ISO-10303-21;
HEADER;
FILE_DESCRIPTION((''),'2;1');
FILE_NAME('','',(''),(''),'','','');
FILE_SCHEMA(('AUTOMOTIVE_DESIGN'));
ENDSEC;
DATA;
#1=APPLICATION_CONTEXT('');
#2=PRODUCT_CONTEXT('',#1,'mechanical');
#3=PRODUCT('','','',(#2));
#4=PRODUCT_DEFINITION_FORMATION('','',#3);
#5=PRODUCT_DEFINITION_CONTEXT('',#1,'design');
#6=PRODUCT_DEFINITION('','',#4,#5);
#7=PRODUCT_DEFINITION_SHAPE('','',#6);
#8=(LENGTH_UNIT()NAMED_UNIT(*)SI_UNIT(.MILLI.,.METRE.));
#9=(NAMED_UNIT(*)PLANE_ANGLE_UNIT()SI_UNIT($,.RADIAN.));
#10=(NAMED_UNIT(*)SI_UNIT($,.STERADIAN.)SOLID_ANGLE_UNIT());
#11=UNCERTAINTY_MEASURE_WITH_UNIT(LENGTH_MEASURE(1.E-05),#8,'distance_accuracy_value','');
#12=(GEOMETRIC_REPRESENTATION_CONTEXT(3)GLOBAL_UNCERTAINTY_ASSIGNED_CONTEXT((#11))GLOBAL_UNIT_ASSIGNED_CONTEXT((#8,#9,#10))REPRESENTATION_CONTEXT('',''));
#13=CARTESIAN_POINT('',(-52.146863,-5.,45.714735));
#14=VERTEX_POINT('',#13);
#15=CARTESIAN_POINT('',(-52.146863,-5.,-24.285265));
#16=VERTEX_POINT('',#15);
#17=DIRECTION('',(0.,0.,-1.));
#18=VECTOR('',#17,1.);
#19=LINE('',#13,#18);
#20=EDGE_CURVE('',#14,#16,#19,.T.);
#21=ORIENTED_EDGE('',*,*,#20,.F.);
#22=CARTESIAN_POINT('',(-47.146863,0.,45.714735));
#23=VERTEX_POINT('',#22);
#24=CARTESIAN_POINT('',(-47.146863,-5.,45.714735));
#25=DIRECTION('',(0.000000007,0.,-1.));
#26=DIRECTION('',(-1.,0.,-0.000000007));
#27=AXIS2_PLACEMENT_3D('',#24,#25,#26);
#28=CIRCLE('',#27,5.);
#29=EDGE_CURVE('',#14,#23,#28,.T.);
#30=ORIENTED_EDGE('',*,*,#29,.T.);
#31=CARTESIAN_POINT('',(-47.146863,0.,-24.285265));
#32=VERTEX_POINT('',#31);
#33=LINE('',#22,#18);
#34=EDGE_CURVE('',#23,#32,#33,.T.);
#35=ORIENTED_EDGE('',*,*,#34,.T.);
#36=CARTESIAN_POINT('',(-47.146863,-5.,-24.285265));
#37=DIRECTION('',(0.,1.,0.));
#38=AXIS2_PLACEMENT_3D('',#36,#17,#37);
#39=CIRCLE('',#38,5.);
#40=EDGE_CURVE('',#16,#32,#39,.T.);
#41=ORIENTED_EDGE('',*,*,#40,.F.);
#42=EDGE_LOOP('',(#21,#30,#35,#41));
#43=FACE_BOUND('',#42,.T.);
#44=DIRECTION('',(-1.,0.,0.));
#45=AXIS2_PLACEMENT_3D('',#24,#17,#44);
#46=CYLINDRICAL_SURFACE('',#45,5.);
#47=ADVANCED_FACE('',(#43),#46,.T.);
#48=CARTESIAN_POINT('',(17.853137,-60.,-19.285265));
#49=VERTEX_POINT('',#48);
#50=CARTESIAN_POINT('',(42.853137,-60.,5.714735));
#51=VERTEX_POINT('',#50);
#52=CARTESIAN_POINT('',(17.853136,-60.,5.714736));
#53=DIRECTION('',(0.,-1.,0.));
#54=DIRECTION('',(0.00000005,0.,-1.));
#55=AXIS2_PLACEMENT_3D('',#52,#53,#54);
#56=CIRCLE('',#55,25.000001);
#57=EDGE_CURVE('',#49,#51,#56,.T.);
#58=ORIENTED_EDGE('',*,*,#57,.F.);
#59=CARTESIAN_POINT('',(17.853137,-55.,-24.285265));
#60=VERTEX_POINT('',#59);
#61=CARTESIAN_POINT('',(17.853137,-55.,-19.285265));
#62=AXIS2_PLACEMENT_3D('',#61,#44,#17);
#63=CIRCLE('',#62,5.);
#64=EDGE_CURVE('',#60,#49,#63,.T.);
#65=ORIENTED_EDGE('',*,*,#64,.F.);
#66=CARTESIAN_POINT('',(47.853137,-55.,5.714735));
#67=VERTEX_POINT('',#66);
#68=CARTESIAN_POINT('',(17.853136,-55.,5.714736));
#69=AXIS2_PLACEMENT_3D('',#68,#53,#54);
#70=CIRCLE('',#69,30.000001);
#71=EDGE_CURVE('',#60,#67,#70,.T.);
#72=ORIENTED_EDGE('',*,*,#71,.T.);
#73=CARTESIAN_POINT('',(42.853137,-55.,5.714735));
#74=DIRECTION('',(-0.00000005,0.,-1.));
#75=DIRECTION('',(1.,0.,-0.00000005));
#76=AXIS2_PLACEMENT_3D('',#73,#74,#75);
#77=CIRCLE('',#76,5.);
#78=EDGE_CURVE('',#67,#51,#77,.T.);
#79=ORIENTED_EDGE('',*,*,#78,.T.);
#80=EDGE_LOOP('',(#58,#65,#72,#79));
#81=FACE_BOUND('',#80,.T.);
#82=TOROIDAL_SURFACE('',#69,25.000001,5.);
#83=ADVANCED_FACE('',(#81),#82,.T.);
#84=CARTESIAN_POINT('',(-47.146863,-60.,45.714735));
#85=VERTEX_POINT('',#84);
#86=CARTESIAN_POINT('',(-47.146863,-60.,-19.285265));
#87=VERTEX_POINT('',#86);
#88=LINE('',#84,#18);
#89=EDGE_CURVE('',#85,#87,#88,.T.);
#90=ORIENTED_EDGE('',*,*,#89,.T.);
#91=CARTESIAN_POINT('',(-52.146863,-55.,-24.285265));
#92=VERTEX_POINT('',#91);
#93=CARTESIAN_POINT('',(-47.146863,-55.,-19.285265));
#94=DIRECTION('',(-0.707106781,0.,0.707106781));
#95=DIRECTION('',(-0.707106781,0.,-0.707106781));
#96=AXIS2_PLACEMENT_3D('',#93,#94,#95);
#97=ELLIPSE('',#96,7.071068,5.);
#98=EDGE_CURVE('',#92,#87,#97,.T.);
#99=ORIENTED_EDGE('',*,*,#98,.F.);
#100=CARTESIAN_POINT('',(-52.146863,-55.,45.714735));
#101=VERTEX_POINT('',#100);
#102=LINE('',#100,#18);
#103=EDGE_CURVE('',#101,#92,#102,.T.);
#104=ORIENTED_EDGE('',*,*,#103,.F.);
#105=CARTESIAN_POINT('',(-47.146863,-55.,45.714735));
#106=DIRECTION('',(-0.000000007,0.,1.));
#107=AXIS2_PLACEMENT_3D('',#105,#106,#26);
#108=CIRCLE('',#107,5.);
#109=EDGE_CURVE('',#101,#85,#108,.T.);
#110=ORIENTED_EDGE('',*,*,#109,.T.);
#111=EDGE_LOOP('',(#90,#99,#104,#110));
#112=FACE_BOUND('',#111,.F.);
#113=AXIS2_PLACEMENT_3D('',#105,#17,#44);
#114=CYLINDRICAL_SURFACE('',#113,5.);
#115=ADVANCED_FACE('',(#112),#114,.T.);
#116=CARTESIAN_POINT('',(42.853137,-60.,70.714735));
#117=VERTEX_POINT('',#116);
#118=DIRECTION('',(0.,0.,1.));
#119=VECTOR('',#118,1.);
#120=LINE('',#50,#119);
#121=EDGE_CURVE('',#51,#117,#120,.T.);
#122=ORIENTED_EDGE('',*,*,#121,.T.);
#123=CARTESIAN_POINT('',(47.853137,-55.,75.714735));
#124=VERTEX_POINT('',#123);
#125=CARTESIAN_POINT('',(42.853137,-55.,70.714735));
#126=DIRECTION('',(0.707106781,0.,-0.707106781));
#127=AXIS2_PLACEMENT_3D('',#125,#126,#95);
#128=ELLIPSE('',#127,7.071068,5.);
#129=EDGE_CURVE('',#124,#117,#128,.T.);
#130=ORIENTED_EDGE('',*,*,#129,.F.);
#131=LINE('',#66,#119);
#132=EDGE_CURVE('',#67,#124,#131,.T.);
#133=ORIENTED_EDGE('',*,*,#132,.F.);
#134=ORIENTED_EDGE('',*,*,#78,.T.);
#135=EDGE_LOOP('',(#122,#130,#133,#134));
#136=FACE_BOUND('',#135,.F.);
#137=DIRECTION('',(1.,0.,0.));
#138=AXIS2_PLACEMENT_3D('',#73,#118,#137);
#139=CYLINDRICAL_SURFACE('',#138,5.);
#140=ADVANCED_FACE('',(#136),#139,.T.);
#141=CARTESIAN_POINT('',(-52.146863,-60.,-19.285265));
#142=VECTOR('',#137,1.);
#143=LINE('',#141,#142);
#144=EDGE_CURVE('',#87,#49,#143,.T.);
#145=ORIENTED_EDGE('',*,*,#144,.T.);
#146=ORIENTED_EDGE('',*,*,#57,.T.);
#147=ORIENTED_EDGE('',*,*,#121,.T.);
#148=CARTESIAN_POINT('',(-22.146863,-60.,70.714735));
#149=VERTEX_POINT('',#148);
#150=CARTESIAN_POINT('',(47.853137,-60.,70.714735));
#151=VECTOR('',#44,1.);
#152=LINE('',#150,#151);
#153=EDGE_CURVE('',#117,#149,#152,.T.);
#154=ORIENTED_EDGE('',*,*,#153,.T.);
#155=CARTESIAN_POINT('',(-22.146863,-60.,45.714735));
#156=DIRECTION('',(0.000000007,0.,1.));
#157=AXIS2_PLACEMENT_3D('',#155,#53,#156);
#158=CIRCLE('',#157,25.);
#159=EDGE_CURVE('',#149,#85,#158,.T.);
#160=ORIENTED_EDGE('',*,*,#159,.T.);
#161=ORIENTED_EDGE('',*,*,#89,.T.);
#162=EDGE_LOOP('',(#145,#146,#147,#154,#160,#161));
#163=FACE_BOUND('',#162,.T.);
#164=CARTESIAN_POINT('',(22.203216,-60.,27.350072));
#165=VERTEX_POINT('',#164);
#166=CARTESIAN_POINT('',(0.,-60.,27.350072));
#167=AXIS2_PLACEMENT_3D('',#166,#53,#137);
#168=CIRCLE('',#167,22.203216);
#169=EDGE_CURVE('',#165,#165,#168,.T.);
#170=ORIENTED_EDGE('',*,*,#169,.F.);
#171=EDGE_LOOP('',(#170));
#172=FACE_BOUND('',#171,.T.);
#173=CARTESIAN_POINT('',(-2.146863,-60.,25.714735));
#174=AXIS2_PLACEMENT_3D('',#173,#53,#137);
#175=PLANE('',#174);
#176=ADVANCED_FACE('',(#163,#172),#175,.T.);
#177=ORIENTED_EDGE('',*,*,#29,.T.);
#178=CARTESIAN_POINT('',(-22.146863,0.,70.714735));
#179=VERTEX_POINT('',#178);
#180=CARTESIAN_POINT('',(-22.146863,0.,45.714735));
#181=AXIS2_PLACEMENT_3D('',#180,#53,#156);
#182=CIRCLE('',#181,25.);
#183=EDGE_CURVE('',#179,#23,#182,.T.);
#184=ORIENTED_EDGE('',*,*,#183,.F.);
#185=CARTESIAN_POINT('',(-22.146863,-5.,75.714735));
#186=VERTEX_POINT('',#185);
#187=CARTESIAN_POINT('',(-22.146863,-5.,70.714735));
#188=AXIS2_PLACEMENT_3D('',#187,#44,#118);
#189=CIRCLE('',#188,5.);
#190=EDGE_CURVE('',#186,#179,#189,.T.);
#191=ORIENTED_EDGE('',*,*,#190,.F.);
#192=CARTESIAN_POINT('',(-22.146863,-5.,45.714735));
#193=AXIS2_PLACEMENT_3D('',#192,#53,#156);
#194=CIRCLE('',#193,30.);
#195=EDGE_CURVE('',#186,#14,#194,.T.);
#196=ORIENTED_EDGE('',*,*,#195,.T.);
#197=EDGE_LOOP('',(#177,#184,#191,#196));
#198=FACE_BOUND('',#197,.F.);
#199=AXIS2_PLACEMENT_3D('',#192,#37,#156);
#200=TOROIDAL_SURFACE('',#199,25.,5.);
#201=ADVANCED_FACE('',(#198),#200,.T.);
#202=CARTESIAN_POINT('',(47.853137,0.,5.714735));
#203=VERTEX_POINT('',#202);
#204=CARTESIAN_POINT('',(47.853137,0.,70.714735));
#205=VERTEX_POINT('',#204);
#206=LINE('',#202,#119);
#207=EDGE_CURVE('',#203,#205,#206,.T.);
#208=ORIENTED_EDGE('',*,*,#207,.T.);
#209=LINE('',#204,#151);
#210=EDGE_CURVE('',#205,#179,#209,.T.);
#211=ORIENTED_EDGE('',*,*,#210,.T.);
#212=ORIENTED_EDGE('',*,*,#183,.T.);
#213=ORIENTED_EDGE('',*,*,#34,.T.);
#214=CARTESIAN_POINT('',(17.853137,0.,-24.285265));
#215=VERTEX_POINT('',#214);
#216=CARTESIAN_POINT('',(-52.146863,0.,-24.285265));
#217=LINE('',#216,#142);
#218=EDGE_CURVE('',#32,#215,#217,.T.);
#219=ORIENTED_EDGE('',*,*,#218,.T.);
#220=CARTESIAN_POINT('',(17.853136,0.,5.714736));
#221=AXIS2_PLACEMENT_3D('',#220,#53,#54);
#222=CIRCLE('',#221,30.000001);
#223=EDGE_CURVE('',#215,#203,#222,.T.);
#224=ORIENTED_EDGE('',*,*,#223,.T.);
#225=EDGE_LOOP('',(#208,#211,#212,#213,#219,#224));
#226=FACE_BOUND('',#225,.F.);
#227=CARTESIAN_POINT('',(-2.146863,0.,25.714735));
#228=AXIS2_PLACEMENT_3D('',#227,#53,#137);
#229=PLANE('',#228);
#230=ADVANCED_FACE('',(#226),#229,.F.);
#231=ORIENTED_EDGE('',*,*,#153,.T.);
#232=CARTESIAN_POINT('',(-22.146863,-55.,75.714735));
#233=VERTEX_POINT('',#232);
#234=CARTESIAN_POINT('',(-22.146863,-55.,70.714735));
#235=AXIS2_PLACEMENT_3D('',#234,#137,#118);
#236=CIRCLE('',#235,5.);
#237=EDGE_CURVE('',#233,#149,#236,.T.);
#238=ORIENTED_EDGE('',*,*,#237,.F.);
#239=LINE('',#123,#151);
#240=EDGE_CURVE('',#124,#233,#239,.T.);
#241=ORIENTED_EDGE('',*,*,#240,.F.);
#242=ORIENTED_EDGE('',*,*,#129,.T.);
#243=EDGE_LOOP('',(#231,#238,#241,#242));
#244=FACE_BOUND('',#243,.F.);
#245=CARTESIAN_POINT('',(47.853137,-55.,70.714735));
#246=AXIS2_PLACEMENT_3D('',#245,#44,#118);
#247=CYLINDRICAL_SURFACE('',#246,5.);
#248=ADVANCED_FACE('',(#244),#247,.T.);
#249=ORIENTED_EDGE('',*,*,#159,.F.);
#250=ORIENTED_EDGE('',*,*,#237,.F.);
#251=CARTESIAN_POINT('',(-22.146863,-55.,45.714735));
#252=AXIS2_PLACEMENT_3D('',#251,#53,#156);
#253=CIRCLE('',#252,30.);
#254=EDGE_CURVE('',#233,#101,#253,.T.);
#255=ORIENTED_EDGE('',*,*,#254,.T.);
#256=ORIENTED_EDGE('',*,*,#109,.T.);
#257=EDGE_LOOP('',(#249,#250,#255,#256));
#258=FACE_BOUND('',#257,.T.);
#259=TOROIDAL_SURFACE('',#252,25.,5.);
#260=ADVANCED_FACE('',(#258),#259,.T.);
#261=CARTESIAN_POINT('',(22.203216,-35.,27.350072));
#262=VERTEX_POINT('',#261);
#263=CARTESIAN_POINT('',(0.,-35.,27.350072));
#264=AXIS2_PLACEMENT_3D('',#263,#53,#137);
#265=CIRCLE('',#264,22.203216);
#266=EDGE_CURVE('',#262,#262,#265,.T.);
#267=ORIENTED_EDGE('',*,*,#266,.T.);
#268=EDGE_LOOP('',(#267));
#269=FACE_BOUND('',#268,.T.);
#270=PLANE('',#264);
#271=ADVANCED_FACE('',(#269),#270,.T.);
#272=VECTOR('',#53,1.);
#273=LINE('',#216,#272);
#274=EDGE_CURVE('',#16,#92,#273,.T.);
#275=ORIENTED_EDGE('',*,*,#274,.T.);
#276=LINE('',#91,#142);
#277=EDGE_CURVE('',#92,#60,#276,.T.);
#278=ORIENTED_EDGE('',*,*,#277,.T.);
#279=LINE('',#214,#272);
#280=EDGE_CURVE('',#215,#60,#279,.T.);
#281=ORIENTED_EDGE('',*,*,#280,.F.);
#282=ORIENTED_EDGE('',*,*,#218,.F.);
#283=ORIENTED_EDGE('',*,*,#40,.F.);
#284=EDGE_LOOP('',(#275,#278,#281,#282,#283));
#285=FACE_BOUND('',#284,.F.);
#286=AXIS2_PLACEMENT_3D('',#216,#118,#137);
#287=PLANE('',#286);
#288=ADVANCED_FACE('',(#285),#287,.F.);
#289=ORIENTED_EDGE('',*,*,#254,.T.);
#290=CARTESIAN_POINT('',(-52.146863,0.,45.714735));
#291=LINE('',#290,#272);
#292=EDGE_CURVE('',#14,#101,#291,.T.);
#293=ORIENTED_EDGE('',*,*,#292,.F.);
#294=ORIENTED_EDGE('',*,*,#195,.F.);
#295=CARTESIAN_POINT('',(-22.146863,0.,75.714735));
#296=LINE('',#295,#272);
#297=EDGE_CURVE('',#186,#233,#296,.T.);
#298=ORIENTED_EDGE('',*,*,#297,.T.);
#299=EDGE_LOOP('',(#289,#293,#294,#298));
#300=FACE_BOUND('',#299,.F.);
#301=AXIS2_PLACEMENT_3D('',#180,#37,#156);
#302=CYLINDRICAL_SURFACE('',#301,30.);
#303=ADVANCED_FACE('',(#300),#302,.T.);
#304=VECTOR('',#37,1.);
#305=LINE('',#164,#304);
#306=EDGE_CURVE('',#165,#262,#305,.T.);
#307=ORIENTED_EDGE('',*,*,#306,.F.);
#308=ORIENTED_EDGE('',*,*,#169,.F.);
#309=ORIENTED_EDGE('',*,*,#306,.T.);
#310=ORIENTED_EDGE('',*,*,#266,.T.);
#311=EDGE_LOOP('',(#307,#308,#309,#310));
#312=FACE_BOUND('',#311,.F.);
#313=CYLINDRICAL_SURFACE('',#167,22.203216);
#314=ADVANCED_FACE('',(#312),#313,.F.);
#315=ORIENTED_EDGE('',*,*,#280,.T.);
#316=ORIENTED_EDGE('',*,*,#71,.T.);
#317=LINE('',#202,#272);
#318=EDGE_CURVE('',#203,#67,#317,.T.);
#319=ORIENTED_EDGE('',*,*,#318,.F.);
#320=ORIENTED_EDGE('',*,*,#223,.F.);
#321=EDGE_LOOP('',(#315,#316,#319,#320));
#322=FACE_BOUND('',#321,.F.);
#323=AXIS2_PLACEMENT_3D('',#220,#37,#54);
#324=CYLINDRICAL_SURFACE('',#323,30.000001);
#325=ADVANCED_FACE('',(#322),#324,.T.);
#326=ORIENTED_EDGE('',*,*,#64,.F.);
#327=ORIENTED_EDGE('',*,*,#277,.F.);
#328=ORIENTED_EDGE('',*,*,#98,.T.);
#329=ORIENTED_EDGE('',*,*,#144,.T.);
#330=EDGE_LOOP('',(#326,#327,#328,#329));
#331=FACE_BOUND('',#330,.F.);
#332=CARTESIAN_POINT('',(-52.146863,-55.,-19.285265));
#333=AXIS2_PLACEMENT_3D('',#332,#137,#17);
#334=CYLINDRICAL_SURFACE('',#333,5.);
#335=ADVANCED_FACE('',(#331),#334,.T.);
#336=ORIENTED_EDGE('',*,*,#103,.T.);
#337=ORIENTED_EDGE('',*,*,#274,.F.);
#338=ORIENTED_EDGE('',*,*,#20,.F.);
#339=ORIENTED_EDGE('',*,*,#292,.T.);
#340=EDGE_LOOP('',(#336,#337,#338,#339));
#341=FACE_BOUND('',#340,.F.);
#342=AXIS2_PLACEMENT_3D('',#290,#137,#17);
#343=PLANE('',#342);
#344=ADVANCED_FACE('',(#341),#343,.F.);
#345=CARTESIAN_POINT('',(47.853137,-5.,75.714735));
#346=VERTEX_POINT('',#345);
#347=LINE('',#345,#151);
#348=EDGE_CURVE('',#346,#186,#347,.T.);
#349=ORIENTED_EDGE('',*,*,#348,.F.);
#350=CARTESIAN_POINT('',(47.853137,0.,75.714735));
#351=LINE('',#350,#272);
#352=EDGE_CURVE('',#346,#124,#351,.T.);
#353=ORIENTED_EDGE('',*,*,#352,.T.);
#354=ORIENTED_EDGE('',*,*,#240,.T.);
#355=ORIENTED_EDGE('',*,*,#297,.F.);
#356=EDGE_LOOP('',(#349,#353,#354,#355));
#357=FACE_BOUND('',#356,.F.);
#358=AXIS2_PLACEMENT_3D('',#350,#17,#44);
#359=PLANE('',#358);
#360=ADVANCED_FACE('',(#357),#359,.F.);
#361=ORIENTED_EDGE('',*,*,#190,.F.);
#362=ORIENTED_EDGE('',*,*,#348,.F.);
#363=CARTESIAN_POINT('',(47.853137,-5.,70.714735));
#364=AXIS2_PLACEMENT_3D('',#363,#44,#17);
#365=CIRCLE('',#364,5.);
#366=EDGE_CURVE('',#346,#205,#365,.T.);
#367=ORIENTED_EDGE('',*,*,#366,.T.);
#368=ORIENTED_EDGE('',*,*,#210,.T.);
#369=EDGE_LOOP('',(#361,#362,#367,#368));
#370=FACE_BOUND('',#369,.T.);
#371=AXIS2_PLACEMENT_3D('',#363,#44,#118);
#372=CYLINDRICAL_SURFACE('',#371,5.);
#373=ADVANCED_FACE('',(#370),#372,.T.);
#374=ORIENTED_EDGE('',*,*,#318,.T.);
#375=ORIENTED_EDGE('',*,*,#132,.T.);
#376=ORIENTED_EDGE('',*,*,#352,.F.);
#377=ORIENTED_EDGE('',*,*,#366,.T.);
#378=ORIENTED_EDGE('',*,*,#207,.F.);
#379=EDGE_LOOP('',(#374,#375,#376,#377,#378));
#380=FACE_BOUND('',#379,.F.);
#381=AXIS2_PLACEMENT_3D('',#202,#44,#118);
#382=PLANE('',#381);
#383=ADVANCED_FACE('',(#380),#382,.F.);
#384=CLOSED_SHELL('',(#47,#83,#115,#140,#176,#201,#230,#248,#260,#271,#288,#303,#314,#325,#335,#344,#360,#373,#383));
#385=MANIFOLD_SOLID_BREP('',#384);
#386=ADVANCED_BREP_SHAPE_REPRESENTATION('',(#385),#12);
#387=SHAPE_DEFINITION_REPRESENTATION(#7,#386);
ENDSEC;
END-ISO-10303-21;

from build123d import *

# Parameters (mm, degrees)
F1_DEPTH = 60
F2_R     = 5
F3_R     = 22.203216
F4_DEPTH = 25


with BuildPart() as f1:
    # F0 (on Front) → F1 (new body)
    with BuildSketch(Plane.XZ):
        with BuildLine():
            Line((47.853137, 75.714735), (-22.146863, 75.714735))
            ThreePointArc((-22.146863, 75.714735), (-43.360067, 66.927938), (-52.146863, 45.714735))
            Line((-52.146863, 45.714735), (-52.146863, -24.285265))
            Line((-52.146863, -24.285265), (17.853137, -24.285265))
            ThreePointArc((17.853137, -24.285265), (39.06634, -15.498468), (47.853137, 5.714735))
            Line((47.853137, 5.714735), (47.853137, 75.714735))
        make_face()
    extrude(amount=F1_DEPTH)

    # F2
    f2_edges = [f1.edges().sort_by_distance(p)[0] for p in [
        (-22.146863, -30, 75.714735),
        (-52.146863, -30, 45.714735),
        (-43.360067, 0, 66.927938),
        (-43.360067, -60, 66.927938),
        (47.853137, -60, 40.714735),
        (12.853137, -60, 75.714735),
        (-52.146863, -60, 10.714735),
        (-17.146863, -60, -24.285265),
        (39.06634, -60, -15.498468),
    ]]
    fillet(f2_edges, radius=F2_R)

    # F3 (on face) → F4 (cut)
    with BuildSketch(Plane.XZ.offset(60)):
        with Locations((0, 27.350072)):
            Circle(F3_R)
    extrude(amount=-F4_DEPTH, mode=Mode.SUBTRACT)


solid = f1.part
